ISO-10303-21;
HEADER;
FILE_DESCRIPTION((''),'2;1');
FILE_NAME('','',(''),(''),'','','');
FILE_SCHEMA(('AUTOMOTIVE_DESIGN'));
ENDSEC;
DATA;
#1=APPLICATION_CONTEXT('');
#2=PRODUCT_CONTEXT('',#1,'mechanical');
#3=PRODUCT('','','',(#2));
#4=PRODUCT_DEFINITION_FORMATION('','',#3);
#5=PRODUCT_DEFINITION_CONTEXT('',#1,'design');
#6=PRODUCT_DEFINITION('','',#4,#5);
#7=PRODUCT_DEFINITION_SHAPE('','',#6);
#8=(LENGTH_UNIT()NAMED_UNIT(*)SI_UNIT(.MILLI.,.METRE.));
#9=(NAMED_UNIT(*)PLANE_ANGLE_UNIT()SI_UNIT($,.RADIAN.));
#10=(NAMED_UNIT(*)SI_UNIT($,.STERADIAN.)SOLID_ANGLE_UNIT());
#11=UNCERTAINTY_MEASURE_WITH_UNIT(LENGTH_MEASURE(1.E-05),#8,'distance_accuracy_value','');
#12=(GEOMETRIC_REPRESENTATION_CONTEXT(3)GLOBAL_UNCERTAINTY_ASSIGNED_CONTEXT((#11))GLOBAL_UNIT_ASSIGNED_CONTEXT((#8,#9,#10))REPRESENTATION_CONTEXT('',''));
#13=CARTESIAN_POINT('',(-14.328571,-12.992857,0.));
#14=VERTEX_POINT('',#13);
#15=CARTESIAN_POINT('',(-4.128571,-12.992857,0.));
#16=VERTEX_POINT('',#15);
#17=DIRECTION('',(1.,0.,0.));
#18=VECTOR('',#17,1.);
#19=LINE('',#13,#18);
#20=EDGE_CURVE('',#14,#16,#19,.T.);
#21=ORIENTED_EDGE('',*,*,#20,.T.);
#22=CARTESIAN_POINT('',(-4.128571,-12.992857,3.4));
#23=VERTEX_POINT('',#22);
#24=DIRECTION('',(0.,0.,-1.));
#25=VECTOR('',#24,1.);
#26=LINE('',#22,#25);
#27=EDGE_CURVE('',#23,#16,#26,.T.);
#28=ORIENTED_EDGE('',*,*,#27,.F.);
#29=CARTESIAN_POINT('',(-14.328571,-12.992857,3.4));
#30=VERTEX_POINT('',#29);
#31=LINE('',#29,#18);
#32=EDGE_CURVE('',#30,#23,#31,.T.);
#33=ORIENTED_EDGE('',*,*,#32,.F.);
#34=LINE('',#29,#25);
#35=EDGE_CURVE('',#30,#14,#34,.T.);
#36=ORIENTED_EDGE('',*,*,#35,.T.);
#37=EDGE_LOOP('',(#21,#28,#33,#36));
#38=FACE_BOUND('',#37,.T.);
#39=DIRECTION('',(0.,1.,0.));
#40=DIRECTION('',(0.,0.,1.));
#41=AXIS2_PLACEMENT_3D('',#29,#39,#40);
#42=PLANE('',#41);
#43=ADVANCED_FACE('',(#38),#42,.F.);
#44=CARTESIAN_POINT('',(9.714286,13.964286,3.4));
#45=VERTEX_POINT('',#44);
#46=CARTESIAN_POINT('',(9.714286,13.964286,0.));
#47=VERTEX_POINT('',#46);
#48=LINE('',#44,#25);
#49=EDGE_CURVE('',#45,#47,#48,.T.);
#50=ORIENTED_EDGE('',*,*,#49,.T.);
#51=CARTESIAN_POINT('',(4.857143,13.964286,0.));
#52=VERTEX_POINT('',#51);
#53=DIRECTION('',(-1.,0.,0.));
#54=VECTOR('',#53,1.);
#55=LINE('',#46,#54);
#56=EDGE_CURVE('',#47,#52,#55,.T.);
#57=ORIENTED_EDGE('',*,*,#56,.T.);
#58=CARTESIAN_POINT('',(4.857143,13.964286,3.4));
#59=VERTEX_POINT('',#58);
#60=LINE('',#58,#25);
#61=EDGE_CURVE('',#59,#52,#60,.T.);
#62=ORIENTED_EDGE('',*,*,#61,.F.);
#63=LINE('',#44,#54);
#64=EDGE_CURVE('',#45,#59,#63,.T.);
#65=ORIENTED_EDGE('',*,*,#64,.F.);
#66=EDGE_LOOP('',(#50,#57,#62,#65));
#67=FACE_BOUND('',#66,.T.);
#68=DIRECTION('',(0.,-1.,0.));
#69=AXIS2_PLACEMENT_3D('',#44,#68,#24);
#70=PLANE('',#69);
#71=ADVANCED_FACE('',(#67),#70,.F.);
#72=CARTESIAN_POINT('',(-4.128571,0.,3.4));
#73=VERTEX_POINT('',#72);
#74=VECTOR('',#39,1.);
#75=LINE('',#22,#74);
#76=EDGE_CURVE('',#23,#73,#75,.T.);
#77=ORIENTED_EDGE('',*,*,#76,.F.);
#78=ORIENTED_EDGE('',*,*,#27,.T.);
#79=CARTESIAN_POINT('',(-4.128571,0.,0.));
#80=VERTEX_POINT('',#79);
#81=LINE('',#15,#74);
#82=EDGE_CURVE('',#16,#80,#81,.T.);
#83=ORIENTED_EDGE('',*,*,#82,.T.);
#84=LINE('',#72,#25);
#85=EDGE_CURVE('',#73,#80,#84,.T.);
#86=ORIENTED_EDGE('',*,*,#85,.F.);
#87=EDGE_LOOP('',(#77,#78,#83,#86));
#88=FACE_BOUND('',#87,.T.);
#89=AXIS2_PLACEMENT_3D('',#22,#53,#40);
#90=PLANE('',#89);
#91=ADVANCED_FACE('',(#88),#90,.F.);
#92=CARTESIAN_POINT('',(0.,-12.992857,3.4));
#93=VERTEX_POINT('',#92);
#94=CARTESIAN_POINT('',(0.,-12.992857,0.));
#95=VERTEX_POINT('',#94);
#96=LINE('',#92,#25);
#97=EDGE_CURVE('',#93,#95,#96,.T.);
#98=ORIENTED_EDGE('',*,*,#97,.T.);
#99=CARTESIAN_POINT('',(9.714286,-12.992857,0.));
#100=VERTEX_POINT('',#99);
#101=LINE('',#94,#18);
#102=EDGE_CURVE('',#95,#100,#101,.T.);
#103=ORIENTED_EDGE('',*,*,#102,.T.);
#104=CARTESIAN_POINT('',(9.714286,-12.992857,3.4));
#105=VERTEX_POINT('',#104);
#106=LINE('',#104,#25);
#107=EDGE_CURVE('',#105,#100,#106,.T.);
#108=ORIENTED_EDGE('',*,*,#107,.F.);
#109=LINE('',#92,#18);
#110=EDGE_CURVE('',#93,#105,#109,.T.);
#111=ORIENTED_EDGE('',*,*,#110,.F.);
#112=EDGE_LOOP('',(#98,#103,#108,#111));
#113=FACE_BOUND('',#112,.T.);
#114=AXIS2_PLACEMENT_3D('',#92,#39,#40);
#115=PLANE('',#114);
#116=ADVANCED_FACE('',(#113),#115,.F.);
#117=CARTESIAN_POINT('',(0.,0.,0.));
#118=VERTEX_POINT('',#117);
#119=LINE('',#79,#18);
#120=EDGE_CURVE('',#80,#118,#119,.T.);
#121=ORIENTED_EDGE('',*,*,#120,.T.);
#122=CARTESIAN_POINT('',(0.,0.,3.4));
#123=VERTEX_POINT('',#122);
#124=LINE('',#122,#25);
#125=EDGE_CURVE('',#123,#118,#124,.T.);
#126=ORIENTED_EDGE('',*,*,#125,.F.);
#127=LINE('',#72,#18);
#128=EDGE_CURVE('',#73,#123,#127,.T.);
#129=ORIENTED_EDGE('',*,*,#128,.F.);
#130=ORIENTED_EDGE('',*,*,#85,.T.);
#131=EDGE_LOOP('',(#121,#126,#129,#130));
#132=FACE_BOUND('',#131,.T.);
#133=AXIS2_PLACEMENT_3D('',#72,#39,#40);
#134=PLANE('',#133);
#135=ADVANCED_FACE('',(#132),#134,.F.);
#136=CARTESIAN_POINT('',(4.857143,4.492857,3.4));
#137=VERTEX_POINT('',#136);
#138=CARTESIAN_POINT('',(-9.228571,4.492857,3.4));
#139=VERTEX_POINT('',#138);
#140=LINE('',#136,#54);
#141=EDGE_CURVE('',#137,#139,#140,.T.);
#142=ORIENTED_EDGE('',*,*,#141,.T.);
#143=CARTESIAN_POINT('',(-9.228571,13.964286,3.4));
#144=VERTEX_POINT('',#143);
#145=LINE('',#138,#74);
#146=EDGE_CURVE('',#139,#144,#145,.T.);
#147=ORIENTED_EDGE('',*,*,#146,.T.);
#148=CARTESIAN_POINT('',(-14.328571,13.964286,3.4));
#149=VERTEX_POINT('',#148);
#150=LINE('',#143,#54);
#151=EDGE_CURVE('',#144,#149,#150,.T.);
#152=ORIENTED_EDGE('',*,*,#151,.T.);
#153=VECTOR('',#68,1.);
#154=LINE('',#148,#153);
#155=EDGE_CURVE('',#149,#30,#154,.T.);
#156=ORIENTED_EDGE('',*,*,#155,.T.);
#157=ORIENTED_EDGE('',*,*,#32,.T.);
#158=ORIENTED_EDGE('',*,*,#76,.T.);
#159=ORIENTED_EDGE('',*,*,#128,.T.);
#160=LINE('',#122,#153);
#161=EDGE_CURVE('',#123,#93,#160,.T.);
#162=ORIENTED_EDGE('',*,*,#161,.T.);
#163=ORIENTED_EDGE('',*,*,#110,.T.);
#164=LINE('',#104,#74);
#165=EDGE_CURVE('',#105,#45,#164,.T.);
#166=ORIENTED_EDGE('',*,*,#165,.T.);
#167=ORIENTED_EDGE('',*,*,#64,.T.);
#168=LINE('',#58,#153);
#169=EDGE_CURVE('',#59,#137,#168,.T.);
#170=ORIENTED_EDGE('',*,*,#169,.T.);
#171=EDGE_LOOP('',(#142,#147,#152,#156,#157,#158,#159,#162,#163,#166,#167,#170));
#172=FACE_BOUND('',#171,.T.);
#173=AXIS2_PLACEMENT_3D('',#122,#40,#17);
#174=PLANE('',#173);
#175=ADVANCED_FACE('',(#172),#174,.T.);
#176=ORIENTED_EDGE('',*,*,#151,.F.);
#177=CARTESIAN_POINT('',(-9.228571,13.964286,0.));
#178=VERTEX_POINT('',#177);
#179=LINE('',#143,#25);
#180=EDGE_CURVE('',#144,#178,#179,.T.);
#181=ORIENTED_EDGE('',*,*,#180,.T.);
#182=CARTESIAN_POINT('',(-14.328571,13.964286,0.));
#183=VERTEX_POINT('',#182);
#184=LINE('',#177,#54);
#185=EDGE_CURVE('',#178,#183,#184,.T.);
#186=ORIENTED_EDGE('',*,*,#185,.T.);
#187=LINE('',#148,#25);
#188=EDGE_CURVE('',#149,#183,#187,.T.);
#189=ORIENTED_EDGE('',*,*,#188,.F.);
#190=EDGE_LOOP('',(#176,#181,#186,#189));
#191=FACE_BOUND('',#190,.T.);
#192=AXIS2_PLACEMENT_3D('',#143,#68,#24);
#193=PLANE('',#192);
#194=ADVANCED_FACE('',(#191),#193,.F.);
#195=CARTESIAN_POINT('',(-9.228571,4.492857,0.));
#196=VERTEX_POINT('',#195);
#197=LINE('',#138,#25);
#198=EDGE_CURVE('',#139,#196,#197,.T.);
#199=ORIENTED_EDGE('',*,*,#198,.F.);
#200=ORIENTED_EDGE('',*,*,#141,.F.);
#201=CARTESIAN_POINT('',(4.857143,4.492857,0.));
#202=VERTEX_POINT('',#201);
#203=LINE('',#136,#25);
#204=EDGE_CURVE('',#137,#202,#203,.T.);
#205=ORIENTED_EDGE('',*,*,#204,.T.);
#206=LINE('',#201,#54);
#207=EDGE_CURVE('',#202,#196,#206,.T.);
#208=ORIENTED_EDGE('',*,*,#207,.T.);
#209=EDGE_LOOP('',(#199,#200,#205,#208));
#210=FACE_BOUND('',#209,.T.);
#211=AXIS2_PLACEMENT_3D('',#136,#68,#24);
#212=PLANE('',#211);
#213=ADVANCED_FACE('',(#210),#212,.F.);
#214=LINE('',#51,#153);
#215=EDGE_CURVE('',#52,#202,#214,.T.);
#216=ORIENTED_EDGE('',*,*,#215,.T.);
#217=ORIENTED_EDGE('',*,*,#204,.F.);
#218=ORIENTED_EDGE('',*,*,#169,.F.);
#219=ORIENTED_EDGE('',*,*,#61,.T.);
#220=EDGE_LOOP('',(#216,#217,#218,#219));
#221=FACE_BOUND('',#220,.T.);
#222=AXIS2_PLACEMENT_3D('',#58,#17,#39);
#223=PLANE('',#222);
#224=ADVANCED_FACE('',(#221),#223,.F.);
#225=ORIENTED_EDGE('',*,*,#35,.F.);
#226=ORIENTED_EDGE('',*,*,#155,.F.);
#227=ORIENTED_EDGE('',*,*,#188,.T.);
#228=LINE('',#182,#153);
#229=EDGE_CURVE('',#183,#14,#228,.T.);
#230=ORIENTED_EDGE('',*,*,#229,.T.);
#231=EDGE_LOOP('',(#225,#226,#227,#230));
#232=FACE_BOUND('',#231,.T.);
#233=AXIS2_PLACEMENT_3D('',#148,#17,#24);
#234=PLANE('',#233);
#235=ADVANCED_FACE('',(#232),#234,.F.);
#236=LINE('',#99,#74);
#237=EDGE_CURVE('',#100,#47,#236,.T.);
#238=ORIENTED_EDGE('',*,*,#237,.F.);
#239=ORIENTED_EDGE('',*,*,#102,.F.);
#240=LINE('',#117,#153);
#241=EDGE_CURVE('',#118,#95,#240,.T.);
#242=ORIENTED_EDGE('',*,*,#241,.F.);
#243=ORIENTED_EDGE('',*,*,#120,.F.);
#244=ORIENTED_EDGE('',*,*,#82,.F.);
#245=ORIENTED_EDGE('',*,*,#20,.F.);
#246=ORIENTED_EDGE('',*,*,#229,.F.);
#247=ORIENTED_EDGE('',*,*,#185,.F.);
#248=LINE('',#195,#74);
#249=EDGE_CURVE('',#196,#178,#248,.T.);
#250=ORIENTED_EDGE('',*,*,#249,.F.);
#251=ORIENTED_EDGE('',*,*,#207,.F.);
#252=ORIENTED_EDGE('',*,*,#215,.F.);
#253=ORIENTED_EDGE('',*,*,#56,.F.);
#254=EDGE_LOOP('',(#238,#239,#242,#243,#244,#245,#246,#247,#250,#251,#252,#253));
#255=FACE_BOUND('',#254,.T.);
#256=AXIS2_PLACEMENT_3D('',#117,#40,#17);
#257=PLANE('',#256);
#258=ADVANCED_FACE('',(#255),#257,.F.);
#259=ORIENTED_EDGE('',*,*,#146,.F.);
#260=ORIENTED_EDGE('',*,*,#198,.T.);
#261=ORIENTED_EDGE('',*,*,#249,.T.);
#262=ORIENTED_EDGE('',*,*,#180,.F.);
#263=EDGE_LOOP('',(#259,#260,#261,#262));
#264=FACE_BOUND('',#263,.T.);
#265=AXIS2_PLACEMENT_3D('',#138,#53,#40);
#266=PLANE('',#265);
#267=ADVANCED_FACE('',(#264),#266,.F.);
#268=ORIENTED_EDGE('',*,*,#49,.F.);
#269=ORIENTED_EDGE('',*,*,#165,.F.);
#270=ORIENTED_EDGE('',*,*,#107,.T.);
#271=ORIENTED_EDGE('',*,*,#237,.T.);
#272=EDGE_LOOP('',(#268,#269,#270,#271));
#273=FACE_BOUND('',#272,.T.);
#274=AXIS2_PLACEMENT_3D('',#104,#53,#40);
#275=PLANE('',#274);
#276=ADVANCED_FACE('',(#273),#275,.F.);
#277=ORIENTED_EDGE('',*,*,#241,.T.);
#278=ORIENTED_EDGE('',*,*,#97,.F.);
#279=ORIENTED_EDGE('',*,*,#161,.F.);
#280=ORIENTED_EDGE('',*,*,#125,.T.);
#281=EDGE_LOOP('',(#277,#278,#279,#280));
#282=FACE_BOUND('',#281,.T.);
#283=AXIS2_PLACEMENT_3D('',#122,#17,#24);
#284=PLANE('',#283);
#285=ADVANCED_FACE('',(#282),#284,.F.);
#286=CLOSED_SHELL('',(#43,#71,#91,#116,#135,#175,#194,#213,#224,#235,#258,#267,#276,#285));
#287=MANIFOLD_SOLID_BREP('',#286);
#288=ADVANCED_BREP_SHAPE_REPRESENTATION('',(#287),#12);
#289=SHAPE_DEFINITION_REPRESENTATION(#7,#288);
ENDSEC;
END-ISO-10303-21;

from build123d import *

# Parameters (mm, degrees)
EXTRUDE_1_DEPTH = 3.4


with BuildPart() as part:
    # 草图1 → 凸台-拉伸1 (new body)
    with BuildSketch(Plane.XY):
        Polygon((-14.328571429, 13.964285714), (-14.328571429, -12.992857143), (-4.128571429, -12.992857143), (-4.128571429, 0), (0, 0), (0, -12.992857143), (9.714285714, -12.992857143), (9.714285714, 13.964285714), (4.857142857, 13.964285714), (4.857142857, 4.492857143), (-9.228571429, 4.492857143), (-9.228571429, 13.964285714), align=None)
    extrude(amount=EXTRUDE_1_DEPTH)


solid = part.part
